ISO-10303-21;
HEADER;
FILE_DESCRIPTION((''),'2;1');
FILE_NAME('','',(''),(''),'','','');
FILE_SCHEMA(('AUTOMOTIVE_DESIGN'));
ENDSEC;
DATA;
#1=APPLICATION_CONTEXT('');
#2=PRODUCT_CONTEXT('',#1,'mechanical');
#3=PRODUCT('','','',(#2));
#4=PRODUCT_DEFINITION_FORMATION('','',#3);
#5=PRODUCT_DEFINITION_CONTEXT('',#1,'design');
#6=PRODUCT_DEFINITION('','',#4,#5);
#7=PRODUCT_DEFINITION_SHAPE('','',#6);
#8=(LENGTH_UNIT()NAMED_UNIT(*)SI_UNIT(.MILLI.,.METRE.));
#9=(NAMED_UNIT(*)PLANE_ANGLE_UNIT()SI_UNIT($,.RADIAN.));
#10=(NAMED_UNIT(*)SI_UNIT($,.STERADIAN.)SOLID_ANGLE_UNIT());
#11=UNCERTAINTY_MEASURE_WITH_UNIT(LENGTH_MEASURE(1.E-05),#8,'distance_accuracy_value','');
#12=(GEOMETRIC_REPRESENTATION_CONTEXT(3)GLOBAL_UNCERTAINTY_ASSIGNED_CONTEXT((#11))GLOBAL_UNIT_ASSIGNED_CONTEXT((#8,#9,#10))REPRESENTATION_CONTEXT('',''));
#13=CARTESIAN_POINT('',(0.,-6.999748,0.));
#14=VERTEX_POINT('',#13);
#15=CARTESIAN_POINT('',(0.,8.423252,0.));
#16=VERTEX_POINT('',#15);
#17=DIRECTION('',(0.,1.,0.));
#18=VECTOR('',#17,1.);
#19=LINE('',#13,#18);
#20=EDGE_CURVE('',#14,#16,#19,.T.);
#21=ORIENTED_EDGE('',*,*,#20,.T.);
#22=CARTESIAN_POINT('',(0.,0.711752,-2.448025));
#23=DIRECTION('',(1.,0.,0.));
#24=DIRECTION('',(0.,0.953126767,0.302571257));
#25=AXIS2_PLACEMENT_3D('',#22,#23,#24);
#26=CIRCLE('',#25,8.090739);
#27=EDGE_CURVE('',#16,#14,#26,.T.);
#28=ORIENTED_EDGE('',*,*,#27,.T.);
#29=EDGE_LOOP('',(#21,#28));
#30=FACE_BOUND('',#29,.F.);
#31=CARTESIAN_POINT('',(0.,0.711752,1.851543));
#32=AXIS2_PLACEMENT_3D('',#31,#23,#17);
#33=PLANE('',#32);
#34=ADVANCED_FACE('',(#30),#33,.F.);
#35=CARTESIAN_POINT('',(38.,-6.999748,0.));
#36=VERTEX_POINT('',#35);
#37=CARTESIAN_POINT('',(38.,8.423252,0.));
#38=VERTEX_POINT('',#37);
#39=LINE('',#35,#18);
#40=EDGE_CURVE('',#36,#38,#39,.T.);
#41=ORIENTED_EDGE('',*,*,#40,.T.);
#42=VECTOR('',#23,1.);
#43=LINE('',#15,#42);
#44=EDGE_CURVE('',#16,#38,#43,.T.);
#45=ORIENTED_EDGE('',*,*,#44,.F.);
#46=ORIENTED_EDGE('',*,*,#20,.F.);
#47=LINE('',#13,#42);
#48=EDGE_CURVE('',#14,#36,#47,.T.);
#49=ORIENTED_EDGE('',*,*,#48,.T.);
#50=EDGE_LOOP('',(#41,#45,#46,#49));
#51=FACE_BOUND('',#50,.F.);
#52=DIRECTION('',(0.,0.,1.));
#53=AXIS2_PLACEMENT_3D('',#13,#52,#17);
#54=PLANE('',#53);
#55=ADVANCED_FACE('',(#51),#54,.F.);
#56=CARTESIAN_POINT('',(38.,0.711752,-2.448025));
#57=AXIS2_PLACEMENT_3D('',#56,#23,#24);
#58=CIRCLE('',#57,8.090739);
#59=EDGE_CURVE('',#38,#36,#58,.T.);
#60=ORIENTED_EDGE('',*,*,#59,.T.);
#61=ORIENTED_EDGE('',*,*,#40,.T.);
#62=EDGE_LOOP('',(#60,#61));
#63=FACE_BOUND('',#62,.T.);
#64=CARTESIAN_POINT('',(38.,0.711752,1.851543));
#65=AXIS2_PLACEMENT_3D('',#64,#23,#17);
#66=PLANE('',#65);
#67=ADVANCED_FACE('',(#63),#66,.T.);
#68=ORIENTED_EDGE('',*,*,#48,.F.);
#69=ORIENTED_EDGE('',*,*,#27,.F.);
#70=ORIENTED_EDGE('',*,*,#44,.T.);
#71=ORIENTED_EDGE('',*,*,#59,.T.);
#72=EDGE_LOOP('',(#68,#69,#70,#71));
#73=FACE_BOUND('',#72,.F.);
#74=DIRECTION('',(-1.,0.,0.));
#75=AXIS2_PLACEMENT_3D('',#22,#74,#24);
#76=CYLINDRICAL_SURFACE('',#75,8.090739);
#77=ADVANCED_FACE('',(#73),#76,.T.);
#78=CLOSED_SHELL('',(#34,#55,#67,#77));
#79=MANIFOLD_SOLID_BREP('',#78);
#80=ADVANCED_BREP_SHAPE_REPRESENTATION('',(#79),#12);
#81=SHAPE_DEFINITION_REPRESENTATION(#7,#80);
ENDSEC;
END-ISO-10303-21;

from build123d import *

# Parameters (mm, degrees)
F1_DEPTH = 38


with BuildPart() as f1:
    # F0 (on Right) → F1 (new body)
    with BuildSketch(Plane.YZ):
        with BuildLine():
            Line((-6.999748, 0), (8.423252, 0))
            ThreePointArc((8.423252, 0), (0.711752, 5.642714), (-6.999748, 0))
        make_face()
    extrude(amount=F1_DEPTH)


solid = f1.part
